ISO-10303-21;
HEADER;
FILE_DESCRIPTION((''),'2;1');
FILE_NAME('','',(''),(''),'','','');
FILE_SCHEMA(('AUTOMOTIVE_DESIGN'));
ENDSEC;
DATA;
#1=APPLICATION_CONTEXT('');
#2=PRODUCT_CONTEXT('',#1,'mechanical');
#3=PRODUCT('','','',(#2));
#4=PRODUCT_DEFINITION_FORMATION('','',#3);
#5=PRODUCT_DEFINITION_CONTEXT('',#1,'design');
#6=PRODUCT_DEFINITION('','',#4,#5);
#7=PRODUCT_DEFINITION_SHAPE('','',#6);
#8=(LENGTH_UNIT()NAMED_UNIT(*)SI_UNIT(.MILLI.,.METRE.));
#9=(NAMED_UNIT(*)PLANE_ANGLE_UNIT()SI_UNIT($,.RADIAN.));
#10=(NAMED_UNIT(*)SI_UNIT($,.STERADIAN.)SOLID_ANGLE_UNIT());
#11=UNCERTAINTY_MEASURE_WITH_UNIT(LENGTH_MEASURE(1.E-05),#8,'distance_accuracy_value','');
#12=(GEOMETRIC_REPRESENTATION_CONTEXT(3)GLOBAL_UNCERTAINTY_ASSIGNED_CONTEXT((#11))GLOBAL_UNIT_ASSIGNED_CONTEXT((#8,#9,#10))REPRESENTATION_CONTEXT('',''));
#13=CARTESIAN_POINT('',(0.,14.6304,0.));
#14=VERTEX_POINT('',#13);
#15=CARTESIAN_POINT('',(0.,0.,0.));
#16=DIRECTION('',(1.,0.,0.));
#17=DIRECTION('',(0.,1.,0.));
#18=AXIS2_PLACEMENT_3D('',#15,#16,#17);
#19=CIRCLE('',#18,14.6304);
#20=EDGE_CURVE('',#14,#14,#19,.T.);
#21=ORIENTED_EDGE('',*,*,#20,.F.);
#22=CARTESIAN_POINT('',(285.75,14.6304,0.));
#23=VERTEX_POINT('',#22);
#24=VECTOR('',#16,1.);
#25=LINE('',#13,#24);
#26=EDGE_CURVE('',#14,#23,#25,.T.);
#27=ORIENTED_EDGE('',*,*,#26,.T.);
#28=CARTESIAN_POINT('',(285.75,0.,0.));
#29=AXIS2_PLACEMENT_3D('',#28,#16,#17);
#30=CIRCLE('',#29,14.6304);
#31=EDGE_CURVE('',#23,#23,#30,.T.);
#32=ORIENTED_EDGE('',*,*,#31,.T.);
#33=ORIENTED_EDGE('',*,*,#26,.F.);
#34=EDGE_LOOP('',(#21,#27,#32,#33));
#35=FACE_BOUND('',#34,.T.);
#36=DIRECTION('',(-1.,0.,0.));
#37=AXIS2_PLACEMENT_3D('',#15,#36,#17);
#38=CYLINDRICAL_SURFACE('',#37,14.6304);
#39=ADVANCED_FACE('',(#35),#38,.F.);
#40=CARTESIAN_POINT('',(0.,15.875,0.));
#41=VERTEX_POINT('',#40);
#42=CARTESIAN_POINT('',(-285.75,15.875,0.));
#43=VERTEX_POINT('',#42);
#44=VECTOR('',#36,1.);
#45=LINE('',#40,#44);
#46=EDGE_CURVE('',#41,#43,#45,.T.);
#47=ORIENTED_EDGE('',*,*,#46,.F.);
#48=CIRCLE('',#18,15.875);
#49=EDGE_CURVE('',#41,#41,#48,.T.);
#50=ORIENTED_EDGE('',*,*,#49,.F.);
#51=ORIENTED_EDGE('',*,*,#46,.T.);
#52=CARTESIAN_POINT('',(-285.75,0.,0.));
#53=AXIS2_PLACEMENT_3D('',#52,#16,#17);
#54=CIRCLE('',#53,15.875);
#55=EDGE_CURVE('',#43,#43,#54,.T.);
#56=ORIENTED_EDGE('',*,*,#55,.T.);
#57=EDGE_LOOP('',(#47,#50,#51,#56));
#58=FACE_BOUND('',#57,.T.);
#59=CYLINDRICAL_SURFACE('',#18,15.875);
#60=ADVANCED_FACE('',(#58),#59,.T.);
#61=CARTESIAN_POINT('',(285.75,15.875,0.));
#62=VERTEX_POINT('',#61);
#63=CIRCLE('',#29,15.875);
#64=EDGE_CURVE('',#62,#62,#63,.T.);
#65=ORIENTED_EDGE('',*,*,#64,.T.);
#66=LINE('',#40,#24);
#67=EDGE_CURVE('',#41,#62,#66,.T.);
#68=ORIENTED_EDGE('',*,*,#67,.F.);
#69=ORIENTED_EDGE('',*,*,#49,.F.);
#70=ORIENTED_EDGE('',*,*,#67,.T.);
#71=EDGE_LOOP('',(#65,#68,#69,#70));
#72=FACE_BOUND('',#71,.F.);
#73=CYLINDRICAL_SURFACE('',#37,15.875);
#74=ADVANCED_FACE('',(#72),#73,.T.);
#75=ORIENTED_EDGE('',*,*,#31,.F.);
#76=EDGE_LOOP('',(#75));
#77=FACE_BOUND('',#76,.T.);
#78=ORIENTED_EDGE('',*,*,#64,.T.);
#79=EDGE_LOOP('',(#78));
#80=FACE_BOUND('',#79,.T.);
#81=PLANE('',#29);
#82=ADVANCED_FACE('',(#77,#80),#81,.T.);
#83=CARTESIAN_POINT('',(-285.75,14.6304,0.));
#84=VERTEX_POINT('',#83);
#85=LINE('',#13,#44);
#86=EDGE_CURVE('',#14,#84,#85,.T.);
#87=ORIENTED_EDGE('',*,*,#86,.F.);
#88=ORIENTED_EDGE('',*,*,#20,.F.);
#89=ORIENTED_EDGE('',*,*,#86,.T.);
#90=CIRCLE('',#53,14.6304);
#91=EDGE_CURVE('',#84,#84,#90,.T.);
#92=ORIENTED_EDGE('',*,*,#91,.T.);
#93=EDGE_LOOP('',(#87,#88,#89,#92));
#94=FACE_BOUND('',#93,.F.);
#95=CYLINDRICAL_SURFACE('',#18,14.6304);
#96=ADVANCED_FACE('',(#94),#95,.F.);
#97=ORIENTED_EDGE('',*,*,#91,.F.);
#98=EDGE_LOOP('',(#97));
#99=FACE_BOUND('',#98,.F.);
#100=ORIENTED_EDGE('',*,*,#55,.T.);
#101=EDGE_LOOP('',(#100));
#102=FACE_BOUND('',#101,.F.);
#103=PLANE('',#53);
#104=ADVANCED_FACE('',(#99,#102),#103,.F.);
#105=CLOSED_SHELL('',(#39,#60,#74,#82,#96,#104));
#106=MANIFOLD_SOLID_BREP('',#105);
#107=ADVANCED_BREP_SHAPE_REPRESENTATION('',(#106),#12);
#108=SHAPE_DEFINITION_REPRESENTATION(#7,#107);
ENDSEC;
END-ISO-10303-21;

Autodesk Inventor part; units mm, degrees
ref_plane "YZ Plane" through (0, 0, 0) normal (1, 0, 0) x (0, 1, 0)
ref_plane "XZ Plane" through (0, 0, 0) normal (0, 1, 0) x (-1, 0, 0)
ref_plane "XY Plane" through (0, 0, 0) normal (0, 0, 1) x (1, 0, 0)
sketch "Sketch1" plane through (0, 0, 0) normal (1, 0, 0) x (0, 1, 0)
  circle A0 centre (0, 0) radius 15.875
  circle A1 centre (0, 0) radius 14.6304
  dimension "d0" = 31.75
  dimension "d4" = 1.2446
extrude "Extrusion1" add sketch "Sketch1" along normal mid plane 571.5
properties part number "Bottom Roller"
